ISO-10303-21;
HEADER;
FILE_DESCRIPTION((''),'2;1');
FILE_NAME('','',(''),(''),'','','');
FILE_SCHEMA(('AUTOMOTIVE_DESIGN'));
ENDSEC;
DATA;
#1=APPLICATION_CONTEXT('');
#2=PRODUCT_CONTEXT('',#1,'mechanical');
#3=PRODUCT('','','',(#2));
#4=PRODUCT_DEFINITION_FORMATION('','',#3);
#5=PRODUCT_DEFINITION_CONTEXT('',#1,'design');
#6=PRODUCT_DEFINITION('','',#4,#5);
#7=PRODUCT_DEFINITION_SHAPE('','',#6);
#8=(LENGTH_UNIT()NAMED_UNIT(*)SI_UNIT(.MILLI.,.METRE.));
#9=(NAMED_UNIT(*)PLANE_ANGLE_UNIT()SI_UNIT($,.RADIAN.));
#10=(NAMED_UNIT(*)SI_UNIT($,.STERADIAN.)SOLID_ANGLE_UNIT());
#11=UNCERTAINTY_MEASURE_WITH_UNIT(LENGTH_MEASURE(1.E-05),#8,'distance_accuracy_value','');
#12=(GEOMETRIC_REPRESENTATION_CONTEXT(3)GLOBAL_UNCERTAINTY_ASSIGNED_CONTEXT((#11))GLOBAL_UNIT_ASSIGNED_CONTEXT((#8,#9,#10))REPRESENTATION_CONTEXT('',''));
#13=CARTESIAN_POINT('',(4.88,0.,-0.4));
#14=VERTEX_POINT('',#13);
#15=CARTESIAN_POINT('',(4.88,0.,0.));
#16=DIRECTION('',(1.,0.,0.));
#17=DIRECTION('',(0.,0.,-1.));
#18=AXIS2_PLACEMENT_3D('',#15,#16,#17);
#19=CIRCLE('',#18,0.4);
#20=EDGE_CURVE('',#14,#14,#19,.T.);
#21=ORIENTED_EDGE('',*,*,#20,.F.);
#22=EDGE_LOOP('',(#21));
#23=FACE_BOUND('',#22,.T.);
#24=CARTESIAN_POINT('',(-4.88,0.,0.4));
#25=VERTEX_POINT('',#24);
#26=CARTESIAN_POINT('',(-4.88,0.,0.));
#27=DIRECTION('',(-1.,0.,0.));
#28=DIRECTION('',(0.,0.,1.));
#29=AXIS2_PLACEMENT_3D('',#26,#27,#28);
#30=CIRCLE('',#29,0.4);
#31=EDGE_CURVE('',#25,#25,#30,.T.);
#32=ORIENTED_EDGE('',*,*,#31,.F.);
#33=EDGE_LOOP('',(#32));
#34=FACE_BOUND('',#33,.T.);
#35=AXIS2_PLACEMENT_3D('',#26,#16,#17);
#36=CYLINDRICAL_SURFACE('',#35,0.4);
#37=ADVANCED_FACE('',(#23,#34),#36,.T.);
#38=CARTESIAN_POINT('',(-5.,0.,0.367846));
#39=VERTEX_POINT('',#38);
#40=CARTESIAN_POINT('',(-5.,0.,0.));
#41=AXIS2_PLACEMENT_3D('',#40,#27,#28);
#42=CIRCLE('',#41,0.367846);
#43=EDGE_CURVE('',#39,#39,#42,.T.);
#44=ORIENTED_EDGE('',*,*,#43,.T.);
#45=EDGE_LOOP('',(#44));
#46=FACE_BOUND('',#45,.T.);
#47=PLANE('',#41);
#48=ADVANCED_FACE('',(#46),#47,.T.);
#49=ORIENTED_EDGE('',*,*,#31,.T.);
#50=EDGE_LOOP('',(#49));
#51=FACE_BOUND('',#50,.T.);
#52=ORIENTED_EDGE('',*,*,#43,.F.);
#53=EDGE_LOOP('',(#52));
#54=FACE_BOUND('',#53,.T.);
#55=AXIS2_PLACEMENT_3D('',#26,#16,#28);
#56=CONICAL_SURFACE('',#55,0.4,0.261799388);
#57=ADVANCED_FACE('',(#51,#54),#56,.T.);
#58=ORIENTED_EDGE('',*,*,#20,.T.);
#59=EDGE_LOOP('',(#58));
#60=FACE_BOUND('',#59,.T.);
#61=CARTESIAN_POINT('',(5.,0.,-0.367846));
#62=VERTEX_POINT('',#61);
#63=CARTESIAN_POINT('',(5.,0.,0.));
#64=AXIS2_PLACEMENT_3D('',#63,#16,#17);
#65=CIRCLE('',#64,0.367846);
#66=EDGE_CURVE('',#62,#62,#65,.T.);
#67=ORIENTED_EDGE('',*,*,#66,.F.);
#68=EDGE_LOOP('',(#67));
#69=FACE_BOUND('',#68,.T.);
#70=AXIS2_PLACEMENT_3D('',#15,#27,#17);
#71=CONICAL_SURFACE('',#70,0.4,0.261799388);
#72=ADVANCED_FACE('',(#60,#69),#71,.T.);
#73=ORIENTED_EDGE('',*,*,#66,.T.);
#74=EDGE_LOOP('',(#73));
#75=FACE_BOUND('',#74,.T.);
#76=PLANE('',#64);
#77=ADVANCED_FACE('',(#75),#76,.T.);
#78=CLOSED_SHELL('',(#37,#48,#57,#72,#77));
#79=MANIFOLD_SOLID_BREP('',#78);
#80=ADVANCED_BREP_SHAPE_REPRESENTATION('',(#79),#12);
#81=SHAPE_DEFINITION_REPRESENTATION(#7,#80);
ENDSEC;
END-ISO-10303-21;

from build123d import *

# Parameters (mm, degrees)
EXTRUDE1_DEPTH      = 4.88
EXTRUDE1_DEPTH_BACK = 4.88
SKETCH2_R           = 0.4
SKETCH3_R           = 0.4
EXTRUDE2_DEPTH      = 0.12
EXTRUDE2_TAPER      = 15
SKETCH4_R           = 0.4
EXTRUDE3_DEPTH      = 0.12
EXTRUDE3_TAPER      = 15


with BuildPart() as part:
    # Sketch2 → Extrude1 (new, two sides: drawn at the far end of the back side and taken through both)
    with BuildSketch(Plane(origin=(0, 0, 0), x_dir=(0, 0, -1), z_dir=(1, 0, 0)).offset(-EXTRUDE1_DEPTH_BACK)):
        Circle(SKETCH2_R)
    extrude(amount=EXTRUDE1_DEPTH + EXTRUDE1_DEPTH_BACK)

    # Sketch3 → Extrude2 (add)
    with BuildSketch(Plane(origin=(4.88, 0, 0), x_dir=(0, 0, -1), z_dir=(1, 0, 0))):
        Circle(SKETCH3_R)
    extrude(amount=EXTRUDE2_DEPTH, taper=EXTRUDE2_TAPER)

    # Sketch4 → Extrude3 (add)
    with BuildSketch(Plane.ZY.offset(4.88)):
        with Locations(Location((0, 0, 0), (0, 0, 180))):
            Circle(SKETCH4_R)
    extrude(amount=EXTRUDE3_DEPTH, taper=EXTRUDE3_TAPER)


solid = part.part
